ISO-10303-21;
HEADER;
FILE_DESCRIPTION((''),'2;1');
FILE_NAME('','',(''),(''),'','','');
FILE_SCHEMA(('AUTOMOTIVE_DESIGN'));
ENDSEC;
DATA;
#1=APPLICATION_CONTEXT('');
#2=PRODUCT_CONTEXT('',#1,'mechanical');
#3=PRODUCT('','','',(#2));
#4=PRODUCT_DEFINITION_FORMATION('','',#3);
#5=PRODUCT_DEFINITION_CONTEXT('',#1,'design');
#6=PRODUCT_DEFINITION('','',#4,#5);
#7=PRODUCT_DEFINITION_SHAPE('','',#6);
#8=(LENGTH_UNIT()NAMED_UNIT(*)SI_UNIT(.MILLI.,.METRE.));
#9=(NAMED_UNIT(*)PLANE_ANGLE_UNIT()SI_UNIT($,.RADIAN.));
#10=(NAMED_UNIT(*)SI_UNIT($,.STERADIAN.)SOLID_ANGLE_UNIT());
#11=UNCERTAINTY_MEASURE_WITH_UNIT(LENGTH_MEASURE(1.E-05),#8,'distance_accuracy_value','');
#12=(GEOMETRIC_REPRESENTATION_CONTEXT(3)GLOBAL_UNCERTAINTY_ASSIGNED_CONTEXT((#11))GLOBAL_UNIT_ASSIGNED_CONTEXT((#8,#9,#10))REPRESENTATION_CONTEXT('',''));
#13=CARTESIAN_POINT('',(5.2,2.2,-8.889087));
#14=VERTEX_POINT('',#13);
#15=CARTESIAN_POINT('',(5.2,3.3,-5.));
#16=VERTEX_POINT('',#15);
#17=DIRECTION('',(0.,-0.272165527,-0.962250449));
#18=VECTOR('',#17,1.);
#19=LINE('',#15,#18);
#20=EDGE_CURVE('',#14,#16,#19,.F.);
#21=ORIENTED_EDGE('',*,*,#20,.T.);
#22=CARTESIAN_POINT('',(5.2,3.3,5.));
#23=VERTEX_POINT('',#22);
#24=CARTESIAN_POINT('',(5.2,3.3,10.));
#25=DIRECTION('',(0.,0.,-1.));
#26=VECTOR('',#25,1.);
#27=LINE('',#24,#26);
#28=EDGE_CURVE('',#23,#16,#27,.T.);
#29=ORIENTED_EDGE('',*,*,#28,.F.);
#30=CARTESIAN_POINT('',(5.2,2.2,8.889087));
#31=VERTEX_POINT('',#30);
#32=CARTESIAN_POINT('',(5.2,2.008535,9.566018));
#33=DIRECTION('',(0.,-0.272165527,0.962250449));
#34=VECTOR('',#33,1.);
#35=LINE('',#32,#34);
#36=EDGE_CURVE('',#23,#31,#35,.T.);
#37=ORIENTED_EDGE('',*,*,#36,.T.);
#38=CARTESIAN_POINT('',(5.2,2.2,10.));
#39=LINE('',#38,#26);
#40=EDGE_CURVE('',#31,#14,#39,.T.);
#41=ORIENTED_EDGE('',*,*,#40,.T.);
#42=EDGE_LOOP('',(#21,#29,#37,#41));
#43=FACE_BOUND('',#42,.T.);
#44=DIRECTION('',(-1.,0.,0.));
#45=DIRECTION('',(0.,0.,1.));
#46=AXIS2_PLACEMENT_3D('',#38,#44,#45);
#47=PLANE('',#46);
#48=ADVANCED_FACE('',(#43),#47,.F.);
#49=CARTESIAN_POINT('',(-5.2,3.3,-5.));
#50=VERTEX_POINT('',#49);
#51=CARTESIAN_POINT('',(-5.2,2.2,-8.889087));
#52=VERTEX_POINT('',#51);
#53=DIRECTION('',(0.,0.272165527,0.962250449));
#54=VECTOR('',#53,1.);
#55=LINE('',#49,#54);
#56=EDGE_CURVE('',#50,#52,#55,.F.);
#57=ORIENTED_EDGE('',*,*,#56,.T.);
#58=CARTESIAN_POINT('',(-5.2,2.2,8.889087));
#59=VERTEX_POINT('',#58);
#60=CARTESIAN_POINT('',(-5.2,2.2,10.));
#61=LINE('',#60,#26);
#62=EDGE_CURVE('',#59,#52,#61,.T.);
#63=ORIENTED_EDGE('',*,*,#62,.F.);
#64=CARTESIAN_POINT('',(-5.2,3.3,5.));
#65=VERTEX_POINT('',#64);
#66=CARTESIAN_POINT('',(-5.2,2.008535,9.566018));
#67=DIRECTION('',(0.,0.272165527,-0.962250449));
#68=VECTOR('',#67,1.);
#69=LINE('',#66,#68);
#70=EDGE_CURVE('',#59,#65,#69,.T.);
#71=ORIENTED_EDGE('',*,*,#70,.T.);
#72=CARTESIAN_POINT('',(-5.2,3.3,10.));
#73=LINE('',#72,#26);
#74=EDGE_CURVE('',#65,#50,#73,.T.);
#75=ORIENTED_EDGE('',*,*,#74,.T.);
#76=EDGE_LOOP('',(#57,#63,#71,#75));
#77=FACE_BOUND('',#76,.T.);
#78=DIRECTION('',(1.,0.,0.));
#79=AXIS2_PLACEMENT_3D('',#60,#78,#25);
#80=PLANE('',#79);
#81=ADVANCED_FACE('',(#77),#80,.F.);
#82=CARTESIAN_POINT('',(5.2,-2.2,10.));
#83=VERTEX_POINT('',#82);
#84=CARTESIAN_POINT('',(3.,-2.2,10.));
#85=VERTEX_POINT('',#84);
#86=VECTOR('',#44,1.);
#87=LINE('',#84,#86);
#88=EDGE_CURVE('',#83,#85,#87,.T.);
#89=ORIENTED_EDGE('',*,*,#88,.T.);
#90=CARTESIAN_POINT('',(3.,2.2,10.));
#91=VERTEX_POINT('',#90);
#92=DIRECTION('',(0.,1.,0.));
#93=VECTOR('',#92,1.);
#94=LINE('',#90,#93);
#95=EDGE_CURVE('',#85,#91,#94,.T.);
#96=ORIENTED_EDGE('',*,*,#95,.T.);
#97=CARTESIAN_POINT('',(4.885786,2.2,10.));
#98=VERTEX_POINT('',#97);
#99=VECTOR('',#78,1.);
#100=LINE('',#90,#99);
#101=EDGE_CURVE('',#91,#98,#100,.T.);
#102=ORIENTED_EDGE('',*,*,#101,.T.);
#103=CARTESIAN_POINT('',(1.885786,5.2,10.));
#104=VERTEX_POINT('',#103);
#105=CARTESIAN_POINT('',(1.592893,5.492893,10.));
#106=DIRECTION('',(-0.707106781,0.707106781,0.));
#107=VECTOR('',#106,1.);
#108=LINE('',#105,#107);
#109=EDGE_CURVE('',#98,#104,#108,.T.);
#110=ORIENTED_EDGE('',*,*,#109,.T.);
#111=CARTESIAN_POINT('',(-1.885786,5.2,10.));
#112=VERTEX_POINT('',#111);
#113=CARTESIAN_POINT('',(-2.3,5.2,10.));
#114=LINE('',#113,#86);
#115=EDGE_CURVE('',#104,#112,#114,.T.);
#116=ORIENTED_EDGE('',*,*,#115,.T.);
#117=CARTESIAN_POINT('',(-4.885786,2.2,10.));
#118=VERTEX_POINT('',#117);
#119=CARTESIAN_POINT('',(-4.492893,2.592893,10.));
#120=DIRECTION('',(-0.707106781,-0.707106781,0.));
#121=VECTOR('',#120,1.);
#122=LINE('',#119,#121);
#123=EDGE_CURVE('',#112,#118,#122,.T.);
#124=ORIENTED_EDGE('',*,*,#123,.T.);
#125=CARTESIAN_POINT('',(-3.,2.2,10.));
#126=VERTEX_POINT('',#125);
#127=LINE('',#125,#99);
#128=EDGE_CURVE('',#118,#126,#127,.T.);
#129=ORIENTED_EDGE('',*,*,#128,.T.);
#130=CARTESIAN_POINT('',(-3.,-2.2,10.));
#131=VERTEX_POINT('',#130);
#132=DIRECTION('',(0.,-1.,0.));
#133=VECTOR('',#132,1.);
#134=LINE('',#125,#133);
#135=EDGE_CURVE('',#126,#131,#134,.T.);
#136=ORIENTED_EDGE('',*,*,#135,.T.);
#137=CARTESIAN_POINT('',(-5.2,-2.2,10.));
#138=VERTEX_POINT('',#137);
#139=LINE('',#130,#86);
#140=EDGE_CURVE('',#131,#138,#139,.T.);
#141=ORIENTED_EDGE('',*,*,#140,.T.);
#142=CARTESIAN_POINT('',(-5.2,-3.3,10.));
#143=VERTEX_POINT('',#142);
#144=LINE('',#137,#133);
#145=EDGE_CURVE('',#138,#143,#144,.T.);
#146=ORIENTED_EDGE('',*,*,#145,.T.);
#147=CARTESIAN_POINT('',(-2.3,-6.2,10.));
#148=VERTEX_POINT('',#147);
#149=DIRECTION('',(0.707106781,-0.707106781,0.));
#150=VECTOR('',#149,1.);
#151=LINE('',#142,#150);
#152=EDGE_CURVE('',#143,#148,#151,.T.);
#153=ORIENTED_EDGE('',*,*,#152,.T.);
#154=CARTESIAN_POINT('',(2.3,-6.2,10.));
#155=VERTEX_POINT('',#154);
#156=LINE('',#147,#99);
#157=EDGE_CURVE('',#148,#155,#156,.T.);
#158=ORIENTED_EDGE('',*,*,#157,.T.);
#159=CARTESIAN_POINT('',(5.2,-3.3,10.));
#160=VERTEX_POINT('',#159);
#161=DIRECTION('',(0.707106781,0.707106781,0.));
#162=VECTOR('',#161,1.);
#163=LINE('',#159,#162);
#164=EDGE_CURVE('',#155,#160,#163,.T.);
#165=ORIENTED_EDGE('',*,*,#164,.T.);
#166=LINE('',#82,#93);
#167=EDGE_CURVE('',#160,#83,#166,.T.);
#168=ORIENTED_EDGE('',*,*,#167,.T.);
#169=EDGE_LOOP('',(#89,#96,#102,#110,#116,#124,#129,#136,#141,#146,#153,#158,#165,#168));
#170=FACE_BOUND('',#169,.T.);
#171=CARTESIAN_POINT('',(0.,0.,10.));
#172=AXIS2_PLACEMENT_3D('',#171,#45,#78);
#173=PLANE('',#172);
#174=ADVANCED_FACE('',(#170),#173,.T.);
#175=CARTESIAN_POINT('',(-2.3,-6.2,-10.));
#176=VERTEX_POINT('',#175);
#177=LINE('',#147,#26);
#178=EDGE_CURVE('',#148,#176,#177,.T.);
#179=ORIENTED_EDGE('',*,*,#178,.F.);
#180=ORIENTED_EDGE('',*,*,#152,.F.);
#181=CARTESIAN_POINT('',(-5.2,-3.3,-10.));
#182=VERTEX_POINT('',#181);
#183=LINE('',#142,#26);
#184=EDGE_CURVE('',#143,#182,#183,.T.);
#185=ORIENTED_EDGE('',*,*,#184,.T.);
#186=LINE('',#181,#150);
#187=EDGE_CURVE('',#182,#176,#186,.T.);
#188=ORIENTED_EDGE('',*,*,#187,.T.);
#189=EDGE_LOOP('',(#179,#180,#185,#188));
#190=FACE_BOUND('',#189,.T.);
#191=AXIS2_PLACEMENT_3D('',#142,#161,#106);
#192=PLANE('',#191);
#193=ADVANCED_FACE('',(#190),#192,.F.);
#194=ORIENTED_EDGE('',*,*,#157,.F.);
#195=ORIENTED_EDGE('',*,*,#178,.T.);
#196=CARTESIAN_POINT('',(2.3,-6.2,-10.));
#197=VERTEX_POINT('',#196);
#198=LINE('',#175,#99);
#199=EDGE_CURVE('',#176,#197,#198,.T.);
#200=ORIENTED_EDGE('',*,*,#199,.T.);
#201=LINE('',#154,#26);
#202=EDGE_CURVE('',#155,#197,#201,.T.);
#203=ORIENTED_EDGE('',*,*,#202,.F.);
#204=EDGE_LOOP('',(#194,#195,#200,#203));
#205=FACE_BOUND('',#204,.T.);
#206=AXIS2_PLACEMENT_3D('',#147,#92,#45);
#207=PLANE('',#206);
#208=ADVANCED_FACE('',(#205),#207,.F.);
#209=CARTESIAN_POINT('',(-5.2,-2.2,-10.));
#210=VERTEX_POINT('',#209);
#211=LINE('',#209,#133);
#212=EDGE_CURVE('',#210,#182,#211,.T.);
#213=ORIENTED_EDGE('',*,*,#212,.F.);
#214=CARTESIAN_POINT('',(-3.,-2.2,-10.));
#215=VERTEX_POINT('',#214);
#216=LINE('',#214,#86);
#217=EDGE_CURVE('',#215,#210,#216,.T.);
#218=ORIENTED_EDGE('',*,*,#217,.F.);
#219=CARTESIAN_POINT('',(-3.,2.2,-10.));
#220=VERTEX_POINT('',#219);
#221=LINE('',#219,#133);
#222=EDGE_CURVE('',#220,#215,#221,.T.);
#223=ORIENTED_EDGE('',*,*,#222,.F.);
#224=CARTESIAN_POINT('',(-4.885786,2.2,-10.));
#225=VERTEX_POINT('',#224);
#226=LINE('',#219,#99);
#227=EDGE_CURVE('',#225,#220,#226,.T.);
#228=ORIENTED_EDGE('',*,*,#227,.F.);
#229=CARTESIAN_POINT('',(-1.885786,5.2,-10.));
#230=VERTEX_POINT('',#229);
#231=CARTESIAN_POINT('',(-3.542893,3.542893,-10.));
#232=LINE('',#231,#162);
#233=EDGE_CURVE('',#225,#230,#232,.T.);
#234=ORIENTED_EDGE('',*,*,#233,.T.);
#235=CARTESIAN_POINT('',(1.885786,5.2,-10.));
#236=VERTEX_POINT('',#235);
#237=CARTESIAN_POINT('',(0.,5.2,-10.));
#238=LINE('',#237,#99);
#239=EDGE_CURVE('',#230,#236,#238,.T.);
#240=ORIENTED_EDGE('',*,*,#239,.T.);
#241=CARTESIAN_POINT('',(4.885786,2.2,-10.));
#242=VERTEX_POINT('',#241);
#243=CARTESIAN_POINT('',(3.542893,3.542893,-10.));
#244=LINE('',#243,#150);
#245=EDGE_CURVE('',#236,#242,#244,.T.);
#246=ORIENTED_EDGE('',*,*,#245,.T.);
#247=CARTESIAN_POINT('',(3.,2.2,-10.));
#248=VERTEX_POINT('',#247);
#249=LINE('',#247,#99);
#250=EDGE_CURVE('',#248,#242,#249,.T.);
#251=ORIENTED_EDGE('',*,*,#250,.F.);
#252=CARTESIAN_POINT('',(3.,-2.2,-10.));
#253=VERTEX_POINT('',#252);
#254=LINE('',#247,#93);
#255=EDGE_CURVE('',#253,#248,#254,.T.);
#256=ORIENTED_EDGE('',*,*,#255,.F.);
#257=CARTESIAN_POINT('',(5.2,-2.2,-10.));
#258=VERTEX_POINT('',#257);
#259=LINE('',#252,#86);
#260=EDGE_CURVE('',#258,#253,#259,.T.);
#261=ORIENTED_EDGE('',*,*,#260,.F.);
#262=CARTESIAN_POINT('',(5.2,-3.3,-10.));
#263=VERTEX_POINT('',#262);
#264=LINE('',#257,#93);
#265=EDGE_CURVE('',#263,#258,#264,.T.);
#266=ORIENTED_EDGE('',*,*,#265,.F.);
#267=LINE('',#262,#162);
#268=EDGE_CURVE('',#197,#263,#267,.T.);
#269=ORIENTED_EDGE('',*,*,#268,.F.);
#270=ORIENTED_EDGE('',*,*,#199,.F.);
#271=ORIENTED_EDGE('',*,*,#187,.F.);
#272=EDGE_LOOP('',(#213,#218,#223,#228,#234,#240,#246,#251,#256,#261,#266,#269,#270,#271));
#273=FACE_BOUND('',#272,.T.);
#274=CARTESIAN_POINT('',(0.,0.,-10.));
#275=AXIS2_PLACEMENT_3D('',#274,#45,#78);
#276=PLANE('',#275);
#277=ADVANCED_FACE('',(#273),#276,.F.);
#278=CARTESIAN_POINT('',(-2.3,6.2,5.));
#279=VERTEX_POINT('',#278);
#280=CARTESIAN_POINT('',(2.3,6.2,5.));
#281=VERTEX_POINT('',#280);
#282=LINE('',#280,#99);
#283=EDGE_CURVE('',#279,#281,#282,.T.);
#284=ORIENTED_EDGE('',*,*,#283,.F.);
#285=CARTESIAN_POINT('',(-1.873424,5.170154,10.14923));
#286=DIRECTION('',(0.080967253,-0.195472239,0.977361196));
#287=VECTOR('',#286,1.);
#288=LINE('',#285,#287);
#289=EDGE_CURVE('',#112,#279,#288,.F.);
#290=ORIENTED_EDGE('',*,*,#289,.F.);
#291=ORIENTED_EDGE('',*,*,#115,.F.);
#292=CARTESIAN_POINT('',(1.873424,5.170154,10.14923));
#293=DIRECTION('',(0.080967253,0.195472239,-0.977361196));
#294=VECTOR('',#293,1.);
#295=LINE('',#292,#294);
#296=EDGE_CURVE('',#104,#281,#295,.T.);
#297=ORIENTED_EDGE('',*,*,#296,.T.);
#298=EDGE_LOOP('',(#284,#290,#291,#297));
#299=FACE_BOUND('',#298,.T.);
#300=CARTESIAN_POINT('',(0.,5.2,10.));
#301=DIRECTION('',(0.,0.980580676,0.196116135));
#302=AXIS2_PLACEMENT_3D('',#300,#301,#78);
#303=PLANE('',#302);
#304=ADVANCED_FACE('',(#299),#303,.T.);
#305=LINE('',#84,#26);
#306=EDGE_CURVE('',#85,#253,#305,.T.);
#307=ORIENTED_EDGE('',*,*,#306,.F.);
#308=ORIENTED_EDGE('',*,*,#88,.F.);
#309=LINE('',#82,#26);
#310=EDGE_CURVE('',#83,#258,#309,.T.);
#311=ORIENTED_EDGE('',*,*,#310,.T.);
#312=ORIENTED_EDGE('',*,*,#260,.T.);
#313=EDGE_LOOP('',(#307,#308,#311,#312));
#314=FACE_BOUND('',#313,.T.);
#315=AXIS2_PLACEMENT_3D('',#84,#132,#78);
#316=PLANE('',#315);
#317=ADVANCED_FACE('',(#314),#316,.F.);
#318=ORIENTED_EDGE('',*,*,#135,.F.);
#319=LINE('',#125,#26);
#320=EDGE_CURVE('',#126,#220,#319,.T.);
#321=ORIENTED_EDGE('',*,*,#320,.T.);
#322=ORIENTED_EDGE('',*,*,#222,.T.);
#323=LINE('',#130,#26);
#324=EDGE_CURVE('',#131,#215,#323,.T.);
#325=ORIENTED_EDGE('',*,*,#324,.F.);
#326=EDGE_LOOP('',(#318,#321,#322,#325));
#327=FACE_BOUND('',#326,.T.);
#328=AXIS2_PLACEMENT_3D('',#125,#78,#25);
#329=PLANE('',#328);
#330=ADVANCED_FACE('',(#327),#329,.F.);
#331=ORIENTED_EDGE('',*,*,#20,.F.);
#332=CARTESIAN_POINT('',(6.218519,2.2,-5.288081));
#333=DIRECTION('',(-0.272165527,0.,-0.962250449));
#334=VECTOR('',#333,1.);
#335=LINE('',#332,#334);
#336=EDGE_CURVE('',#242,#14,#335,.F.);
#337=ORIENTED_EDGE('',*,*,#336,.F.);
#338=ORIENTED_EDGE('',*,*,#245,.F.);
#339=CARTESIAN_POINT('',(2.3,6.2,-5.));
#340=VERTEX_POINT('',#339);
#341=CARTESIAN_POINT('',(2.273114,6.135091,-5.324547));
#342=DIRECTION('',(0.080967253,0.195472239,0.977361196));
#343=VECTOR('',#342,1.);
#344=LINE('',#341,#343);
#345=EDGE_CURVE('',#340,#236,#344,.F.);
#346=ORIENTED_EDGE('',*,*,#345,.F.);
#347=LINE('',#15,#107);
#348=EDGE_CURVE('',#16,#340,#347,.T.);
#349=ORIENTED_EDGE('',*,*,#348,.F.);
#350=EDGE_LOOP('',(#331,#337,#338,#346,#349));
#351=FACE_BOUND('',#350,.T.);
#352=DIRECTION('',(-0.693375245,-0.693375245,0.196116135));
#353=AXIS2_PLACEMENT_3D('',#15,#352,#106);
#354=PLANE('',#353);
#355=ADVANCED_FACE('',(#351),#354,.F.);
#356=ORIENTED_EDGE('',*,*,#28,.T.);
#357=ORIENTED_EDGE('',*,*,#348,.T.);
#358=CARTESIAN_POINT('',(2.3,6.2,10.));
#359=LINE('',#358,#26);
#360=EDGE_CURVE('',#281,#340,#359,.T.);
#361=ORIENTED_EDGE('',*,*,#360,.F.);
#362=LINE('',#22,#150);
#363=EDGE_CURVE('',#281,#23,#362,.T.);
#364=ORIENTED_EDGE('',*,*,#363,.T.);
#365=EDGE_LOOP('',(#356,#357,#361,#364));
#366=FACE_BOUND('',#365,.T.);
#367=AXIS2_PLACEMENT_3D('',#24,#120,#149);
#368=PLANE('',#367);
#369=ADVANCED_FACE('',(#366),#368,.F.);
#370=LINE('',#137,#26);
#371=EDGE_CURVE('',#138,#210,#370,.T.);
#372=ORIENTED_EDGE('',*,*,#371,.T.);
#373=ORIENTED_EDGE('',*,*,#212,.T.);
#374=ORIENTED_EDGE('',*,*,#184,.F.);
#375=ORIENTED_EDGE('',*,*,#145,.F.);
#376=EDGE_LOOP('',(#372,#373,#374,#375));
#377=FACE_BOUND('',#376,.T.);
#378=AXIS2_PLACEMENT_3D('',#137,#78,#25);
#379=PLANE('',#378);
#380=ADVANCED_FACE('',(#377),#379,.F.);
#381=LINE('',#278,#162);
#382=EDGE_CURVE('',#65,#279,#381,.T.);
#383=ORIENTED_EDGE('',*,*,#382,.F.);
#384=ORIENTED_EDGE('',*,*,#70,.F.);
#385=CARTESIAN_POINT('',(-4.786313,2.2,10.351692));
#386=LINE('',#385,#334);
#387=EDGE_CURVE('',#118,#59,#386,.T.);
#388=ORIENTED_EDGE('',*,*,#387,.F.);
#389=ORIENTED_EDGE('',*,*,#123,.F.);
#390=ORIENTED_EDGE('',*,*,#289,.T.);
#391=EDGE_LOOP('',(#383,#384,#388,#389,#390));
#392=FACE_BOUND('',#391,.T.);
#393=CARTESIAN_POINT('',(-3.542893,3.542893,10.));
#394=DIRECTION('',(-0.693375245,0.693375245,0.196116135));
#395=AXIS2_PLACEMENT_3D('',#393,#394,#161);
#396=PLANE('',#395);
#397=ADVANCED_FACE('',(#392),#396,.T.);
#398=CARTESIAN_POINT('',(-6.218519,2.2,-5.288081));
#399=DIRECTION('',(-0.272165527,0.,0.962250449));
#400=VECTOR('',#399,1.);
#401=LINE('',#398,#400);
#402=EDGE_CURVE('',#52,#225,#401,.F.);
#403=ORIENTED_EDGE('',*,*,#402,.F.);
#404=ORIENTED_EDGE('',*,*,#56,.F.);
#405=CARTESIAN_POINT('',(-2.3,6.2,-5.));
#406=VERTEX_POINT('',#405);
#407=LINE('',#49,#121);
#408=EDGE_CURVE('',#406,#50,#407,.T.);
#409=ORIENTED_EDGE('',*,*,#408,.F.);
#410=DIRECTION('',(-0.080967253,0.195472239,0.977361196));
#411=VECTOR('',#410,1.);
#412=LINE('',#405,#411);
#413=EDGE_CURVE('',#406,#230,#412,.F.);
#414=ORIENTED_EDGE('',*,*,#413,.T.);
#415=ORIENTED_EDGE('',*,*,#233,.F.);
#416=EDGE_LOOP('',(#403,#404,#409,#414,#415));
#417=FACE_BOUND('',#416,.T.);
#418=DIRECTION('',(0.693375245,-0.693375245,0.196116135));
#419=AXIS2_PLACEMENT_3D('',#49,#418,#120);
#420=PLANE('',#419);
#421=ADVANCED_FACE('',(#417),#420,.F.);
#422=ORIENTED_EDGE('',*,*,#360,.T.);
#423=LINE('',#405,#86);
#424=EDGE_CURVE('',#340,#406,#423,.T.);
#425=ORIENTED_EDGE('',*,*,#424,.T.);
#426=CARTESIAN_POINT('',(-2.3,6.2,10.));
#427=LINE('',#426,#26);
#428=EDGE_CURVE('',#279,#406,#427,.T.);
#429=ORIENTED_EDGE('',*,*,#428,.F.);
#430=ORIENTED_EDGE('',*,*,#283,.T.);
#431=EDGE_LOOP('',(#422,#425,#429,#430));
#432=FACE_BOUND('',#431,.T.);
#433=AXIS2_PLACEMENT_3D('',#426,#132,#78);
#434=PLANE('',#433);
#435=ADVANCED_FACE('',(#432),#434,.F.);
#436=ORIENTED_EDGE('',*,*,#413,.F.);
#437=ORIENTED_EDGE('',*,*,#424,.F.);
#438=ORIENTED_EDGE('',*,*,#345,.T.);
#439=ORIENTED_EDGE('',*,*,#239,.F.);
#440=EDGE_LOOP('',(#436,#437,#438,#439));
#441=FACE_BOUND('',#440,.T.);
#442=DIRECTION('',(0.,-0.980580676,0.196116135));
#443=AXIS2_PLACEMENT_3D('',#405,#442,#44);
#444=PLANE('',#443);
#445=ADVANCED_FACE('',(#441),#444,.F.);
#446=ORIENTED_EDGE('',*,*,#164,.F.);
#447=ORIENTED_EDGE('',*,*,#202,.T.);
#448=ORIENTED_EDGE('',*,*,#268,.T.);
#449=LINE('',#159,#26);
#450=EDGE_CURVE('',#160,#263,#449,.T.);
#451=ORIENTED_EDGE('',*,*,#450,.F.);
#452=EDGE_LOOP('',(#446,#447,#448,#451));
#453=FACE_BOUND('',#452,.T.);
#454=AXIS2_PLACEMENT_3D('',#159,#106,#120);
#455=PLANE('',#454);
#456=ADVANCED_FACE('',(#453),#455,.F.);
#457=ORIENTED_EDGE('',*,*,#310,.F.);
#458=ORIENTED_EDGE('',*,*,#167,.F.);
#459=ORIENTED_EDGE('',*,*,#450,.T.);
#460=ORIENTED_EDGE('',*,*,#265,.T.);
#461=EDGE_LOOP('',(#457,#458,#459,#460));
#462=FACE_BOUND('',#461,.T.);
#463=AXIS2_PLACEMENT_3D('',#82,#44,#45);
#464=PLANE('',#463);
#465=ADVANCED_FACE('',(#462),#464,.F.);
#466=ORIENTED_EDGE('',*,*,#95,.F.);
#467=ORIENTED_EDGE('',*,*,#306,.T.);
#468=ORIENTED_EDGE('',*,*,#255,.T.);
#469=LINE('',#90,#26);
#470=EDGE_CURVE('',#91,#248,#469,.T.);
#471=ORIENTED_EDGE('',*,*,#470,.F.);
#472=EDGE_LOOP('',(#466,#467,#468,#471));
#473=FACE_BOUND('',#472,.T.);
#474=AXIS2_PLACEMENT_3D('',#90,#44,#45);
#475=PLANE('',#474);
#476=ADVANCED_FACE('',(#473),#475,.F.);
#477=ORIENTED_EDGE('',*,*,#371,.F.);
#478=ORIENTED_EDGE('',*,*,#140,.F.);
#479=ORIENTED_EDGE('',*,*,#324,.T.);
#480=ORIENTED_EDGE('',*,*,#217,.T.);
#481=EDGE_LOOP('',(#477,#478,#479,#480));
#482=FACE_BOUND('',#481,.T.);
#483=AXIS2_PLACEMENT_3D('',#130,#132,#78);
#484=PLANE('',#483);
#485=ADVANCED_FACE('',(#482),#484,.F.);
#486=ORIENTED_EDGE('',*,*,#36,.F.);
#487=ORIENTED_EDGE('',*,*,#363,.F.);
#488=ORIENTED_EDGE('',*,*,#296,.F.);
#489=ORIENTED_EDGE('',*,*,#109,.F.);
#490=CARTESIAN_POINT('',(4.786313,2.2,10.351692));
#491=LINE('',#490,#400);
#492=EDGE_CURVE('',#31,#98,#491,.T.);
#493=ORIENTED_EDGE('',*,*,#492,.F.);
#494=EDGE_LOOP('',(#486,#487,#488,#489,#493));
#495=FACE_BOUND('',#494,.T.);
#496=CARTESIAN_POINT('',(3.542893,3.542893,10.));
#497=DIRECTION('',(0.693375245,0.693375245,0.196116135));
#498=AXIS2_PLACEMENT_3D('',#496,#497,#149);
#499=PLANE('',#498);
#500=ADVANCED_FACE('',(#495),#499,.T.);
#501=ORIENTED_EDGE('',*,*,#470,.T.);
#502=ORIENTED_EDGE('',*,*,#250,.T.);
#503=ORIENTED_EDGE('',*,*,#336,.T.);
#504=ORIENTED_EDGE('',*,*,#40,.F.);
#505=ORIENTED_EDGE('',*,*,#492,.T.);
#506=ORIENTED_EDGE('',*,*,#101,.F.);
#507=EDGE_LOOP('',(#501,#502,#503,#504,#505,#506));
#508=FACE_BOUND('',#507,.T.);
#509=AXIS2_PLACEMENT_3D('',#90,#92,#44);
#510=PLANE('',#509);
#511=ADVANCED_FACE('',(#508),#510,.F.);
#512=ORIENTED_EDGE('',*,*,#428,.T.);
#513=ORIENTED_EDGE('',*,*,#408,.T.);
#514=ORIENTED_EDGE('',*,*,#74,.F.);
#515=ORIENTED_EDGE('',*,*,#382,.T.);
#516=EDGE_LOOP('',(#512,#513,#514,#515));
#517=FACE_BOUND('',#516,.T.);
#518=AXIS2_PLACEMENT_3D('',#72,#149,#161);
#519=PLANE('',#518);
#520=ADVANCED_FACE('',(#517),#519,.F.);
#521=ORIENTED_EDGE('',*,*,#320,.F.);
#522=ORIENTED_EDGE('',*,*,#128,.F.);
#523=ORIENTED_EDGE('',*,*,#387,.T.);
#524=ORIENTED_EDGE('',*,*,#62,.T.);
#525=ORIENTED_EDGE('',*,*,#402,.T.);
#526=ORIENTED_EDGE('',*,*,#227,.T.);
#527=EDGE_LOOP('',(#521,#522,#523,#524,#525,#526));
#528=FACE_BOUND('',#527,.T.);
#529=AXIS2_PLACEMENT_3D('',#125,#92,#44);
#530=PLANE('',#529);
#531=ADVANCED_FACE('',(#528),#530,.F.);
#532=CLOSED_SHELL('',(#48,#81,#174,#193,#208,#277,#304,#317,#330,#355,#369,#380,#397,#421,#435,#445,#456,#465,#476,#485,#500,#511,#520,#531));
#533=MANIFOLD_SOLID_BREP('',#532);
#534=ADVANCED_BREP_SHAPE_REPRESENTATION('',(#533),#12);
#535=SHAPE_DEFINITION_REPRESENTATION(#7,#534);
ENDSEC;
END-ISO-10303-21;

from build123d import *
from OCP.BRepFilletAPI import BRepFilletAPI_MakeChamfer

# Parameters (mm, degrees)
BOSS_EXTRUDE2_DEPTH = 10
CHAMFER1_SIZE       = 5
CHAMFER1_SIZE2      = 1
CHAMFER2_SIZE       = 1
CHAMFER2_SIZE2      = 5


with BuildPart() as part:
    # Sketch2 → Boss-Extrude2 (new, symmetric)
    with BuildSketch(Plane.XY):
        Polygon((5.2, 3.3), (2.3, 6.2), (-2.3, 6.2), (-5.2, 3.3), (-5.2, 2.2), (-3, 2.2), (-3, -2.2), (-5.2, -2.2), (-5.2, -3.3), (-2.3, -6.2), (2.3, -6.2), (5.2, -3.3), (5.2, -2.2), (3, -2.2), (3, 2.2), (5.2, 2.2), align=None)
    extrude(amount=BOSS_EXTRUDE2_DEPTH, both=True)

    # Chamfer1: one chamfer whose edges measure the first distance from different faces: ONE call of the kernel's chamfer builder (chamfer() names one face for all edges)
    chamfer1_edges_1 = [part.edges().sort_by_distance(p)[0] for p in [
        (-3.75, 4.75, 10),
    ]]
    chamfer1_side_1 = [part.faces().sort_by_distance(p)[0] for p in [
        (-3.75, 4.75, 0),
    ]]
    chamfer1_edges_2 = [part.edges().sort_by_distance(p)[0] for p in [
        (3.75, 4.75, 10),
    ]]
    chamfer1_side_2 = [part.faces().sort_by_distance(p)[0] for p in [
        (3.75, 4.75, 0),
    ]]
    chamfer1_edges_3 = [part.edges().sort_by_distance(p)[0] for p in [
        (0, 6.2, 10),
    ]]
    chamfer1_side_3 = [part.faces().sort_by_distance(p)[0] for p in [
        (0, 6.2, 0),
    ]]
    chamfer1 = BRepFilletAPI_MakeChamfer(part.part.solid().wrapped)
    for e in chamfer1_edges_1:
        chamfer1.Add(CHAMFER1_SIZE, CHAMFER1_SIZE2, e.wrapped, chamfer1_side_1[0].wrapped)  # the first distance lies on this face
    for e in chamfer1_edges_2:
        chamfer1.Add(CHAMFER1_SIZE, CHAMFER1_SIZE2, e.wrapped, chamfer1_side_2[0].wrapped)  # the first distance lies on this face
    for e in chamfer1_edges_3:
        chamfer1.Add(CHAMFER1_SIZE, CHAMFER1_SIZE2, e.wrapped, chamfer1_side_3[0].wrapped)  # the first distance lies on this face
    add(Compound.cast(chamfer1.Shape()), mode=Mode.REPLACE)

    # Chamfer2
    chamfer2_edges = [part.edges().sort_by_distance(p)[0] for p in [
        (-3.75, 4.75, -10),
        (0, 6.2, -10),
        (3.75, 4.75, -10),
    ]]
    chamfer2_side = [part.faces().sort_by_distance(p)[0] for p in [
        (0, 0, -10),
    ]]
    chamfer(chamfer2_edges, length=CHAMFER2_SIZE, length2=CHAMFER2_SIZE2, reference=chamfer2_side[0])


solid = part.part
